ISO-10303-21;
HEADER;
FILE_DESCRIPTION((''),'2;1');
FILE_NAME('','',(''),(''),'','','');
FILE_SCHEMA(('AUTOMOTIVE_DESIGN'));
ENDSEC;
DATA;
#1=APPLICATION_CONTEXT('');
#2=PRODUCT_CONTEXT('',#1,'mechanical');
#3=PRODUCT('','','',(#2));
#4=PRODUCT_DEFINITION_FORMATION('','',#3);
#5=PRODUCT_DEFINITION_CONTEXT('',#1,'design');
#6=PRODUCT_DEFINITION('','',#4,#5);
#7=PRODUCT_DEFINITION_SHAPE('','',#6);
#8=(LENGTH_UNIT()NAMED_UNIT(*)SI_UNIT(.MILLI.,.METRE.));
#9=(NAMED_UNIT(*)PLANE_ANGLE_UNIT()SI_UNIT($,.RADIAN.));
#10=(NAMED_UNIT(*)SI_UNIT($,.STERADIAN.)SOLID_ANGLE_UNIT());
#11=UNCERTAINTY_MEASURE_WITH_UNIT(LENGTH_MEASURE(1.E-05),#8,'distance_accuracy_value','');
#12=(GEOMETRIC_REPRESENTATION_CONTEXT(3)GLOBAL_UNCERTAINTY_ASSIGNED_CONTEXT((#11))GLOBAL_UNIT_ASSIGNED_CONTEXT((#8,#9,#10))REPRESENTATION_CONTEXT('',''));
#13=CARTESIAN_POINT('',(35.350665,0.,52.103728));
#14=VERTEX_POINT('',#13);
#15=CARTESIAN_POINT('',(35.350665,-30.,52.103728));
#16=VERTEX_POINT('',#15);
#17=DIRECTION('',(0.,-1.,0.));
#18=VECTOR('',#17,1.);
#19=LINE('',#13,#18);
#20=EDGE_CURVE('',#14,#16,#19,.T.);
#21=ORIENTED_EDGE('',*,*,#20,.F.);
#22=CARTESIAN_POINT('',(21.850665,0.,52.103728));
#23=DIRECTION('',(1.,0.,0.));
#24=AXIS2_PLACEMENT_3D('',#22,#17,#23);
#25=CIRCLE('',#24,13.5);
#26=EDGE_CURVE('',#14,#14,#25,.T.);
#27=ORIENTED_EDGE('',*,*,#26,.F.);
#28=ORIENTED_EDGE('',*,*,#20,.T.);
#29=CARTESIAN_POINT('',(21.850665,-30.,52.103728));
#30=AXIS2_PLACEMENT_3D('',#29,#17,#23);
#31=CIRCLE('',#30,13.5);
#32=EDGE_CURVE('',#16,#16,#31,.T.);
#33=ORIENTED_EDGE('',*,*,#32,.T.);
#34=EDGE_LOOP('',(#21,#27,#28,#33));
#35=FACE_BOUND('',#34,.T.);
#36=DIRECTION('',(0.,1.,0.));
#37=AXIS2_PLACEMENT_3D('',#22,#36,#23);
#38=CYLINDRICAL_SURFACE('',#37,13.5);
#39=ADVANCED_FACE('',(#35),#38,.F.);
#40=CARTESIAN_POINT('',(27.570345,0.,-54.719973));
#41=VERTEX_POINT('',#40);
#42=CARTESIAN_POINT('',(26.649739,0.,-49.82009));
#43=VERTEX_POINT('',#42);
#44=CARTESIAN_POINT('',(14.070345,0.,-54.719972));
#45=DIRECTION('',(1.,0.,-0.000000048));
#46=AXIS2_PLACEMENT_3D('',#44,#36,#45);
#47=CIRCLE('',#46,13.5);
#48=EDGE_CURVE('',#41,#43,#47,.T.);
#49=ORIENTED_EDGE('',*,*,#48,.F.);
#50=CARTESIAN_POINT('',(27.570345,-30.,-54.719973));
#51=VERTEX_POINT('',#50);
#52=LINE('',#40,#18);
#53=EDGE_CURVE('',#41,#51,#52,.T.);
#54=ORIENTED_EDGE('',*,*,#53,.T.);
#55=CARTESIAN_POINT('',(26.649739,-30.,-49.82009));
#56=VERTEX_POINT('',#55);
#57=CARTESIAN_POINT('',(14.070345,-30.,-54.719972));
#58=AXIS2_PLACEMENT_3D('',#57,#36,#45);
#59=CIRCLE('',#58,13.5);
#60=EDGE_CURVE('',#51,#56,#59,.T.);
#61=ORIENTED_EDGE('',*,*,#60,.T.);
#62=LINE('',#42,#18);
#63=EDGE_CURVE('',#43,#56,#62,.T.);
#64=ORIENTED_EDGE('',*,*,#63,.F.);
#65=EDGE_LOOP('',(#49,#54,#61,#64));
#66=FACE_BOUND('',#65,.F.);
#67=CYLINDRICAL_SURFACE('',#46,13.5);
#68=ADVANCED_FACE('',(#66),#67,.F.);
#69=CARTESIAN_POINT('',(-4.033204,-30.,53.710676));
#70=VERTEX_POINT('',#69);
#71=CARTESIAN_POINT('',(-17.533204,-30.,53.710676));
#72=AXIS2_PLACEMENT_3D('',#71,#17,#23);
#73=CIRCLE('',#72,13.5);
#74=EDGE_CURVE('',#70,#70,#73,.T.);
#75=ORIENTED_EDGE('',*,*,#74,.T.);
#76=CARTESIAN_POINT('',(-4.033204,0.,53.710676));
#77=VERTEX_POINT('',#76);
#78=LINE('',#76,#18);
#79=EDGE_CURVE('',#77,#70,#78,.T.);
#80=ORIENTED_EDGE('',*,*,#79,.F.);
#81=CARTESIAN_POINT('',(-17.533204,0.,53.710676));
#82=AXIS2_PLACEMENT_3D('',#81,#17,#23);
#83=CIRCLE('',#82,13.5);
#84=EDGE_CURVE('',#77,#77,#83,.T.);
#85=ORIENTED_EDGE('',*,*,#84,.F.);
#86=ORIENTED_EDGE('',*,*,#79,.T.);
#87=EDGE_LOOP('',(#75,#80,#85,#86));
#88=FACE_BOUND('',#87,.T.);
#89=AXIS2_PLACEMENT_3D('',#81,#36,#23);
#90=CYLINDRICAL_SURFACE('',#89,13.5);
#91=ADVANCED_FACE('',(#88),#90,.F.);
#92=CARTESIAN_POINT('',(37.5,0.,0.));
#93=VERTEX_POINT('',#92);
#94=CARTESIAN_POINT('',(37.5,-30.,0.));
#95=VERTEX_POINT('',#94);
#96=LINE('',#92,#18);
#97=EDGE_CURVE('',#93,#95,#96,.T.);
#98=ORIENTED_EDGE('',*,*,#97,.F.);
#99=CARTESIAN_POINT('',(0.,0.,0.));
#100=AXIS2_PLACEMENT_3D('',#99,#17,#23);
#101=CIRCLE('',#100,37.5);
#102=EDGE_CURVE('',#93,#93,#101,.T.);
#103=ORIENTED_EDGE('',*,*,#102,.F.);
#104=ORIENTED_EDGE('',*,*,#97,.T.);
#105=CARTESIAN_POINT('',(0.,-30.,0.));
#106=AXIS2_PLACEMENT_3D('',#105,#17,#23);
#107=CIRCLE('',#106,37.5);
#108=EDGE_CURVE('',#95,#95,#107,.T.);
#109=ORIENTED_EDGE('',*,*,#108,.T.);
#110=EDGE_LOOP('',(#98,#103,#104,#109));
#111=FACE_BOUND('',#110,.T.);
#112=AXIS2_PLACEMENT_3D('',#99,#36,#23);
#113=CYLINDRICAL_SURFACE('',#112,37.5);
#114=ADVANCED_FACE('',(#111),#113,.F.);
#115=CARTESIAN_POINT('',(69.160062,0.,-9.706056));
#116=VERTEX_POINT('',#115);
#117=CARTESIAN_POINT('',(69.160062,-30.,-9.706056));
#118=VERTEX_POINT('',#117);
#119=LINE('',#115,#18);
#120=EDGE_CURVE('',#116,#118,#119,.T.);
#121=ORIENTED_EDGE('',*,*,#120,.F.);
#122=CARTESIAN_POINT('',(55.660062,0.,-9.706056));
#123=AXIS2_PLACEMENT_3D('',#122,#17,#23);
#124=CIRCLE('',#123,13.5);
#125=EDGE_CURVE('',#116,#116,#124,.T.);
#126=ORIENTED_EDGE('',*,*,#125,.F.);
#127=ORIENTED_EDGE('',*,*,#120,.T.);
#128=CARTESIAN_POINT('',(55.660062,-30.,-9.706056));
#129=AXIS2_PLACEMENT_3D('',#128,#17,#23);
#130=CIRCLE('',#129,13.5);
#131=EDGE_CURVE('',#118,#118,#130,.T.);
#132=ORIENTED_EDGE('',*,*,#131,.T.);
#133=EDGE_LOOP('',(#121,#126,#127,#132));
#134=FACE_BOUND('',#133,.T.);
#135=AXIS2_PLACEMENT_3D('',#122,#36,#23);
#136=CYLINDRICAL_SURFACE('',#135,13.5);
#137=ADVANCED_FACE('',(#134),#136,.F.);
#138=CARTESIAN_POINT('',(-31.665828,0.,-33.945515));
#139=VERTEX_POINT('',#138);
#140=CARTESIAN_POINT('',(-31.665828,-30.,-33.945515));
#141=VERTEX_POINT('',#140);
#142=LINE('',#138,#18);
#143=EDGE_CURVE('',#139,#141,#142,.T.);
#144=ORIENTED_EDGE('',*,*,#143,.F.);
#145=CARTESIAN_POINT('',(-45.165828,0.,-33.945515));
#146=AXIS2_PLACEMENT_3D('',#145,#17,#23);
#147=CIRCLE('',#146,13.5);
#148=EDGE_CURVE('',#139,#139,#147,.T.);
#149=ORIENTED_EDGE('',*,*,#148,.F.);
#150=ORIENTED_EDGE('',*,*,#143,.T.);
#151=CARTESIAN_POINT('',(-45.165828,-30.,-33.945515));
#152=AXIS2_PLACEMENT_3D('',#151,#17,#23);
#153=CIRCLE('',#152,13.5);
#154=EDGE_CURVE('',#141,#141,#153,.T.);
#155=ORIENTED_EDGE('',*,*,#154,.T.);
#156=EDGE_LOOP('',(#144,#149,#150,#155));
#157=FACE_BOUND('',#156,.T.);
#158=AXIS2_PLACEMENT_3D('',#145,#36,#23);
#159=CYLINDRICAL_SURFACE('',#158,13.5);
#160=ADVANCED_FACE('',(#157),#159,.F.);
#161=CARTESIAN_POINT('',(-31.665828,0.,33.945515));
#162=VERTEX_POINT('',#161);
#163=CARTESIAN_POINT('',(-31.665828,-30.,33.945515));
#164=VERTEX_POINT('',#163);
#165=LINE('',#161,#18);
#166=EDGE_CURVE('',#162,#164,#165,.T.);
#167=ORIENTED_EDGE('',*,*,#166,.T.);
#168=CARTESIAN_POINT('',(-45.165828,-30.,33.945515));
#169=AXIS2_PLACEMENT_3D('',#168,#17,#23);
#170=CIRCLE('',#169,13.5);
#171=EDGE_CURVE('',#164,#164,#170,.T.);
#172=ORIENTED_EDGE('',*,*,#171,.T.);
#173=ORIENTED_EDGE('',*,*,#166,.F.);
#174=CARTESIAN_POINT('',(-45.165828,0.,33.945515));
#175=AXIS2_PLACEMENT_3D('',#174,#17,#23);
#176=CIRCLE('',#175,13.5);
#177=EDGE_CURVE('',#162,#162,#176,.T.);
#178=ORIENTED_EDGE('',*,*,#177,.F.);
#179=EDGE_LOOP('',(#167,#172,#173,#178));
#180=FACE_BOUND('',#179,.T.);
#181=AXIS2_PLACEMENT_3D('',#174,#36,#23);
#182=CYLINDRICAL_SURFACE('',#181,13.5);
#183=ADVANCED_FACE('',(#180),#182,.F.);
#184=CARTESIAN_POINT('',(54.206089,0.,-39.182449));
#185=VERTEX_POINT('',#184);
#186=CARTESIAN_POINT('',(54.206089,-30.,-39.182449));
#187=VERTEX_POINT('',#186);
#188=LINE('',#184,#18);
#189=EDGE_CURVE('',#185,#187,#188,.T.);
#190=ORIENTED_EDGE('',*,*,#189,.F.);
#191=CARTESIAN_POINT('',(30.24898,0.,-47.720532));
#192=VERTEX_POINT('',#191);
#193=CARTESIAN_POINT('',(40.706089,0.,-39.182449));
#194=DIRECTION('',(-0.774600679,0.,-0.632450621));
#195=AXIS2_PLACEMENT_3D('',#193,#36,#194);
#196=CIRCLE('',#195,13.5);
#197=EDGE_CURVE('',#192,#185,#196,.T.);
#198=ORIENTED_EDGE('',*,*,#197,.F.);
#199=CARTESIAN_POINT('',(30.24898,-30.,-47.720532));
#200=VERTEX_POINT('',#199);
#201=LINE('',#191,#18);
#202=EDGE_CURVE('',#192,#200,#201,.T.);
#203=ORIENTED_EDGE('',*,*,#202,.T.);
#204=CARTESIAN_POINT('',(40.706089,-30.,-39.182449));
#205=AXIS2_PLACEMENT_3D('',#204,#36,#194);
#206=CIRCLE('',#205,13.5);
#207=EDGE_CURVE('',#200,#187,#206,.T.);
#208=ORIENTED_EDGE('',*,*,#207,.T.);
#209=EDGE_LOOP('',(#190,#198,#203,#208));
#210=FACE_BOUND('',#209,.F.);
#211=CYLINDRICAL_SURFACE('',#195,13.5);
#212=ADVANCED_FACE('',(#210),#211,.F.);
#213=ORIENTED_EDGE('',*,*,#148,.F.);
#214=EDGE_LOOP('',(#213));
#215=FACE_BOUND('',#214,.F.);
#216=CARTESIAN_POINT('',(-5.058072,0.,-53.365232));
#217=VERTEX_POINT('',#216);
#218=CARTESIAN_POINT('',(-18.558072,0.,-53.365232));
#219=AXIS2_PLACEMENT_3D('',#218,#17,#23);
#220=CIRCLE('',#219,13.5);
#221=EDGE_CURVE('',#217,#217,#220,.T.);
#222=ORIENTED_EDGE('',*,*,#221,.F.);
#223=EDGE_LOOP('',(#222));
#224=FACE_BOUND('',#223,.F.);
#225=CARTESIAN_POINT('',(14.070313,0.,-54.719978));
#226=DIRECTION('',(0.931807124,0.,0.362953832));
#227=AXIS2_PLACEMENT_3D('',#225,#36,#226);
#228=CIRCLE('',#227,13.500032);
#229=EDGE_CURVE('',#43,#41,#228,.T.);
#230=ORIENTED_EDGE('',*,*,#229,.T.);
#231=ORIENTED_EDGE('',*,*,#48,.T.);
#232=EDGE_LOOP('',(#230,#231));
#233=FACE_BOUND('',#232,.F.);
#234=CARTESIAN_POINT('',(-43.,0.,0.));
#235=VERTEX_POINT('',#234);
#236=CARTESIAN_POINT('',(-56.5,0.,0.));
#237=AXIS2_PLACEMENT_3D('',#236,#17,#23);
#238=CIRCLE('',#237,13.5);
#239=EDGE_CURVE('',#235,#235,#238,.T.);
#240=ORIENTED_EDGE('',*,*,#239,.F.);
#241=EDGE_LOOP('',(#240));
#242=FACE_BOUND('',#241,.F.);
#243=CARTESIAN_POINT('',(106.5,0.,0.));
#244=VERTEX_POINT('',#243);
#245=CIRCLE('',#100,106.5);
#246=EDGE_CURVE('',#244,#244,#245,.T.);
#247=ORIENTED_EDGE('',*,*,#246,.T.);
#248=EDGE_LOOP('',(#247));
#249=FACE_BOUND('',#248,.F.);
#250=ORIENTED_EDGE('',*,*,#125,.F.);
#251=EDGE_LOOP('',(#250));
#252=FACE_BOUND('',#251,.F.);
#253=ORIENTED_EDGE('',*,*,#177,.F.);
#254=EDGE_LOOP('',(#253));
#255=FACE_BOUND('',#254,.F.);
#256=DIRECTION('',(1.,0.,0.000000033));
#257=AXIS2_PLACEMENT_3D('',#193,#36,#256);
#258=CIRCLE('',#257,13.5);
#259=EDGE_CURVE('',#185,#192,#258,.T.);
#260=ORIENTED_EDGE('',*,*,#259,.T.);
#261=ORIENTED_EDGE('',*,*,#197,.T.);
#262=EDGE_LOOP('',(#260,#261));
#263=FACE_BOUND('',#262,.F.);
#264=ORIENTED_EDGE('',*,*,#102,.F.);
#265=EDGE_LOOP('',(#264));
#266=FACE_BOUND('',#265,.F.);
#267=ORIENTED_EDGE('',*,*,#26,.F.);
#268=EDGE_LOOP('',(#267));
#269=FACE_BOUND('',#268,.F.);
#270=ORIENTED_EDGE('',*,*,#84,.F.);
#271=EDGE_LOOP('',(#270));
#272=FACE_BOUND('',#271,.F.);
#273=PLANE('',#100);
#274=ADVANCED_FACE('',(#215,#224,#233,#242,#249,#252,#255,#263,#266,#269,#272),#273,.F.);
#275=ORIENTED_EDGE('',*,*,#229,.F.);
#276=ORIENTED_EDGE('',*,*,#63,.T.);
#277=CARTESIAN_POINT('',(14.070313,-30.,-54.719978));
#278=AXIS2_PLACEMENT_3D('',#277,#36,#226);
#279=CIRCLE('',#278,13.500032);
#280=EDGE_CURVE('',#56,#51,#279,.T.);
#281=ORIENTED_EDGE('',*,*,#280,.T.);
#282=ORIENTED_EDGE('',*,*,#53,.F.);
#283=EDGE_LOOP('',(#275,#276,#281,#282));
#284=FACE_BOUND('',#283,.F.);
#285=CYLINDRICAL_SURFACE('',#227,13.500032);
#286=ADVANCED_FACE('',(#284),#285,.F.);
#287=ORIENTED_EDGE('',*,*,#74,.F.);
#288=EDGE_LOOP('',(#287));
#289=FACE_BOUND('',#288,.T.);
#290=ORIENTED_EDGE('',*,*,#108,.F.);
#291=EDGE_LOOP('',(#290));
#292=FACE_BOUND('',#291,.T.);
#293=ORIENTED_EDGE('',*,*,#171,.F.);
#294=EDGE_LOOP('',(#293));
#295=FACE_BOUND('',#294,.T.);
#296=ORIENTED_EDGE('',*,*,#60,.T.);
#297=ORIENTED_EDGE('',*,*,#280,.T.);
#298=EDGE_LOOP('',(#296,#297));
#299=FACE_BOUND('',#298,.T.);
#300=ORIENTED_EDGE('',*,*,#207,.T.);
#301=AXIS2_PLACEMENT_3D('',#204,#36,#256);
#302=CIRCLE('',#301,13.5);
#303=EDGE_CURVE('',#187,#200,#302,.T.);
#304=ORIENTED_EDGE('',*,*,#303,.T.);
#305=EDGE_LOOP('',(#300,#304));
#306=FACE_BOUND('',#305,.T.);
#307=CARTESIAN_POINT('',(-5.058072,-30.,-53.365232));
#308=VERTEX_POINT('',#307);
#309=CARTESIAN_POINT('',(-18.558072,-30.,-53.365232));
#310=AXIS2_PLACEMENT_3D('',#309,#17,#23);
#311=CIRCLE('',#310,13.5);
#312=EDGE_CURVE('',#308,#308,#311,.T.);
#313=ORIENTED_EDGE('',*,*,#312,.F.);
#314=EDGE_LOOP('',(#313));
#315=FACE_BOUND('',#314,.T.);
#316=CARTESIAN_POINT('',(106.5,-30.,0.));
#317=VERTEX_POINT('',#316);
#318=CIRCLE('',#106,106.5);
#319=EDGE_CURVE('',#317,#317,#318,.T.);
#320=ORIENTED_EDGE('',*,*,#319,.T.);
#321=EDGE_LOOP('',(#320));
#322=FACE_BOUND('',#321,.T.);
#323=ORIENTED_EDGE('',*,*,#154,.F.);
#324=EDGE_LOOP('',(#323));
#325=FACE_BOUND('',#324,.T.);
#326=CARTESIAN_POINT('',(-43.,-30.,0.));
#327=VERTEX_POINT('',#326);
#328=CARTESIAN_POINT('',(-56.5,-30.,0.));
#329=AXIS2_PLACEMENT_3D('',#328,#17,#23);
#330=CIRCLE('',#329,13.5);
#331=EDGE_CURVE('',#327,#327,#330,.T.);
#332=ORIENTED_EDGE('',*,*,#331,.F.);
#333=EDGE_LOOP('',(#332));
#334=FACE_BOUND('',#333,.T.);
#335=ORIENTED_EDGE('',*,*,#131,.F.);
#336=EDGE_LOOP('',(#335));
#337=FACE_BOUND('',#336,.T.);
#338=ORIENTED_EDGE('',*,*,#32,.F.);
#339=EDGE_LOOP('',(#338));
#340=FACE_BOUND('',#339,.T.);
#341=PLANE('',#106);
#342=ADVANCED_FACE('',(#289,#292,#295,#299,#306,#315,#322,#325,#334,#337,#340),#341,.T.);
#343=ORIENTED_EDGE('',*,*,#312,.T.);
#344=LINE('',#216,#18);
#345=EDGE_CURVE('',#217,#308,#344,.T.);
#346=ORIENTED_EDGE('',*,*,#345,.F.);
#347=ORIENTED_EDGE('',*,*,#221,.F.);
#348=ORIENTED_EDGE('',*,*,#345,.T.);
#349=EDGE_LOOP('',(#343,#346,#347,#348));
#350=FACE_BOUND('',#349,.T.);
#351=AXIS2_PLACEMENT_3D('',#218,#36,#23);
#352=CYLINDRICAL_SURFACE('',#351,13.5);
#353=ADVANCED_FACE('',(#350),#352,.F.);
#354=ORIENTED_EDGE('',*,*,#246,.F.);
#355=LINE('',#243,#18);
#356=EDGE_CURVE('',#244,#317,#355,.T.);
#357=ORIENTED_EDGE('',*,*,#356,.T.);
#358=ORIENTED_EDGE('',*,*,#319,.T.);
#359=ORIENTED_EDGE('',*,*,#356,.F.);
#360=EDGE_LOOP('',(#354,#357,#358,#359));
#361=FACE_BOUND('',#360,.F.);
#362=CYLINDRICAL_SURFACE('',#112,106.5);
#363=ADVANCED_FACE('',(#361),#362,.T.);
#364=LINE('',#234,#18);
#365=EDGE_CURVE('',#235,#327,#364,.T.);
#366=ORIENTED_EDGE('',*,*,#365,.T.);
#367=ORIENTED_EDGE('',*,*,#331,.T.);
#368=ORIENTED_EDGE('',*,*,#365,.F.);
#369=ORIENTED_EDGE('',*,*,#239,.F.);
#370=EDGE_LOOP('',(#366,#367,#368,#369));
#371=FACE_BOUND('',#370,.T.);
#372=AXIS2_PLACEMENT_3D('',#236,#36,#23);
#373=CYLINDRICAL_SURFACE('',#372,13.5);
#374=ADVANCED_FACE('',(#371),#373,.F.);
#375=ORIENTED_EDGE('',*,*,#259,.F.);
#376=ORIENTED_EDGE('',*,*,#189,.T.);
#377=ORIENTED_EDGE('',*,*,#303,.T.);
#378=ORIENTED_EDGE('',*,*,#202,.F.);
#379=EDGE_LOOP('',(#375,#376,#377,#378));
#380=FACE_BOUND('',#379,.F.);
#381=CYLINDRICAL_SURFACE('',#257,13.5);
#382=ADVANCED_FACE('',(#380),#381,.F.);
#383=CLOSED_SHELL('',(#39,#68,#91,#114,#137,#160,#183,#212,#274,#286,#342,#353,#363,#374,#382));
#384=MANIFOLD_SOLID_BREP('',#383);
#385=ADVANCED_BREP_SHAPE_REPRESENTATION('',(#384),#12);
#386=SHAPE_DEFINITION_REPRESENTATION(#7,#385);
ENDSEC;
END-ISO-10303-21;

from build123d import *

# Parameters (mm, degrees)
F0_R     = 75
F0_R_2   = 13.5
F0_R_3   = 37.5
F0_R_4   = 106.5
F1_DEPTH = 30


with BuildPart() as f1:
    # F0 (on Front) → F1 (new body)
    with BuildSketch(Plane.XZ):
        Circle(F0_R_4)
        Circle(F0_R, mode=Mode.SUBTRACT)
        Circle(F0_R)
        with Locations((-18.558072, -53.365232)):
            Circle(F0_R_2, mode=Mode.SUBTRACT)
        with Locations((-45.165828, -33.945515)):
            Circle(F0_R_2, mode=Mode.SUBTRACT)
        with BuildLine():
            ThreePointArc((26.649739, -49.82009), (27.338197, -52.227165), (27.570345, -54.719973))
            ThreePointArc((27.570345, -54.719973), (0.802492, -57.21278), (26.649739, -49.82009))
        make_face(mode=Mode.SUBTRACT)
        with BuildLine():
            ThreePointArc((54.206089, -39.182449), (45.238143, -51.898993), (30.24898, -47.720532))
            ThreePointArc((30.24898, -47.720532), (36.174035, -26.465905), (54.206089, -39.182449))
        make_face(mode=Mode.SUBTRACT)
        with Locations((55.660062, -9.706056)):
            Circle(F0_R_2, mode=Mode.SUBTRACT)
        with Locations((-56.5, 0)):
            Circle(F0_R_2, mode=Mode.SUBTRACT)
        with Locations((-45.165828, 33.945515)):
            Circle(F0_R_2, mode=Mode.SUBTRACT)
        with Locations((-17.533204, 53.710676)):
            Circle(F0_R_2, mode=Mode.SUBTRACT)
        Circle(F0_R_3, mode=Mode.SUBTRACT)
        with Locations((21.850665, 52.103728)):
            Circle(F0_R_2, mode=Mode.SUBTRACT)
    extrude(amount=F1_DEPTH)


solid = f1.part
